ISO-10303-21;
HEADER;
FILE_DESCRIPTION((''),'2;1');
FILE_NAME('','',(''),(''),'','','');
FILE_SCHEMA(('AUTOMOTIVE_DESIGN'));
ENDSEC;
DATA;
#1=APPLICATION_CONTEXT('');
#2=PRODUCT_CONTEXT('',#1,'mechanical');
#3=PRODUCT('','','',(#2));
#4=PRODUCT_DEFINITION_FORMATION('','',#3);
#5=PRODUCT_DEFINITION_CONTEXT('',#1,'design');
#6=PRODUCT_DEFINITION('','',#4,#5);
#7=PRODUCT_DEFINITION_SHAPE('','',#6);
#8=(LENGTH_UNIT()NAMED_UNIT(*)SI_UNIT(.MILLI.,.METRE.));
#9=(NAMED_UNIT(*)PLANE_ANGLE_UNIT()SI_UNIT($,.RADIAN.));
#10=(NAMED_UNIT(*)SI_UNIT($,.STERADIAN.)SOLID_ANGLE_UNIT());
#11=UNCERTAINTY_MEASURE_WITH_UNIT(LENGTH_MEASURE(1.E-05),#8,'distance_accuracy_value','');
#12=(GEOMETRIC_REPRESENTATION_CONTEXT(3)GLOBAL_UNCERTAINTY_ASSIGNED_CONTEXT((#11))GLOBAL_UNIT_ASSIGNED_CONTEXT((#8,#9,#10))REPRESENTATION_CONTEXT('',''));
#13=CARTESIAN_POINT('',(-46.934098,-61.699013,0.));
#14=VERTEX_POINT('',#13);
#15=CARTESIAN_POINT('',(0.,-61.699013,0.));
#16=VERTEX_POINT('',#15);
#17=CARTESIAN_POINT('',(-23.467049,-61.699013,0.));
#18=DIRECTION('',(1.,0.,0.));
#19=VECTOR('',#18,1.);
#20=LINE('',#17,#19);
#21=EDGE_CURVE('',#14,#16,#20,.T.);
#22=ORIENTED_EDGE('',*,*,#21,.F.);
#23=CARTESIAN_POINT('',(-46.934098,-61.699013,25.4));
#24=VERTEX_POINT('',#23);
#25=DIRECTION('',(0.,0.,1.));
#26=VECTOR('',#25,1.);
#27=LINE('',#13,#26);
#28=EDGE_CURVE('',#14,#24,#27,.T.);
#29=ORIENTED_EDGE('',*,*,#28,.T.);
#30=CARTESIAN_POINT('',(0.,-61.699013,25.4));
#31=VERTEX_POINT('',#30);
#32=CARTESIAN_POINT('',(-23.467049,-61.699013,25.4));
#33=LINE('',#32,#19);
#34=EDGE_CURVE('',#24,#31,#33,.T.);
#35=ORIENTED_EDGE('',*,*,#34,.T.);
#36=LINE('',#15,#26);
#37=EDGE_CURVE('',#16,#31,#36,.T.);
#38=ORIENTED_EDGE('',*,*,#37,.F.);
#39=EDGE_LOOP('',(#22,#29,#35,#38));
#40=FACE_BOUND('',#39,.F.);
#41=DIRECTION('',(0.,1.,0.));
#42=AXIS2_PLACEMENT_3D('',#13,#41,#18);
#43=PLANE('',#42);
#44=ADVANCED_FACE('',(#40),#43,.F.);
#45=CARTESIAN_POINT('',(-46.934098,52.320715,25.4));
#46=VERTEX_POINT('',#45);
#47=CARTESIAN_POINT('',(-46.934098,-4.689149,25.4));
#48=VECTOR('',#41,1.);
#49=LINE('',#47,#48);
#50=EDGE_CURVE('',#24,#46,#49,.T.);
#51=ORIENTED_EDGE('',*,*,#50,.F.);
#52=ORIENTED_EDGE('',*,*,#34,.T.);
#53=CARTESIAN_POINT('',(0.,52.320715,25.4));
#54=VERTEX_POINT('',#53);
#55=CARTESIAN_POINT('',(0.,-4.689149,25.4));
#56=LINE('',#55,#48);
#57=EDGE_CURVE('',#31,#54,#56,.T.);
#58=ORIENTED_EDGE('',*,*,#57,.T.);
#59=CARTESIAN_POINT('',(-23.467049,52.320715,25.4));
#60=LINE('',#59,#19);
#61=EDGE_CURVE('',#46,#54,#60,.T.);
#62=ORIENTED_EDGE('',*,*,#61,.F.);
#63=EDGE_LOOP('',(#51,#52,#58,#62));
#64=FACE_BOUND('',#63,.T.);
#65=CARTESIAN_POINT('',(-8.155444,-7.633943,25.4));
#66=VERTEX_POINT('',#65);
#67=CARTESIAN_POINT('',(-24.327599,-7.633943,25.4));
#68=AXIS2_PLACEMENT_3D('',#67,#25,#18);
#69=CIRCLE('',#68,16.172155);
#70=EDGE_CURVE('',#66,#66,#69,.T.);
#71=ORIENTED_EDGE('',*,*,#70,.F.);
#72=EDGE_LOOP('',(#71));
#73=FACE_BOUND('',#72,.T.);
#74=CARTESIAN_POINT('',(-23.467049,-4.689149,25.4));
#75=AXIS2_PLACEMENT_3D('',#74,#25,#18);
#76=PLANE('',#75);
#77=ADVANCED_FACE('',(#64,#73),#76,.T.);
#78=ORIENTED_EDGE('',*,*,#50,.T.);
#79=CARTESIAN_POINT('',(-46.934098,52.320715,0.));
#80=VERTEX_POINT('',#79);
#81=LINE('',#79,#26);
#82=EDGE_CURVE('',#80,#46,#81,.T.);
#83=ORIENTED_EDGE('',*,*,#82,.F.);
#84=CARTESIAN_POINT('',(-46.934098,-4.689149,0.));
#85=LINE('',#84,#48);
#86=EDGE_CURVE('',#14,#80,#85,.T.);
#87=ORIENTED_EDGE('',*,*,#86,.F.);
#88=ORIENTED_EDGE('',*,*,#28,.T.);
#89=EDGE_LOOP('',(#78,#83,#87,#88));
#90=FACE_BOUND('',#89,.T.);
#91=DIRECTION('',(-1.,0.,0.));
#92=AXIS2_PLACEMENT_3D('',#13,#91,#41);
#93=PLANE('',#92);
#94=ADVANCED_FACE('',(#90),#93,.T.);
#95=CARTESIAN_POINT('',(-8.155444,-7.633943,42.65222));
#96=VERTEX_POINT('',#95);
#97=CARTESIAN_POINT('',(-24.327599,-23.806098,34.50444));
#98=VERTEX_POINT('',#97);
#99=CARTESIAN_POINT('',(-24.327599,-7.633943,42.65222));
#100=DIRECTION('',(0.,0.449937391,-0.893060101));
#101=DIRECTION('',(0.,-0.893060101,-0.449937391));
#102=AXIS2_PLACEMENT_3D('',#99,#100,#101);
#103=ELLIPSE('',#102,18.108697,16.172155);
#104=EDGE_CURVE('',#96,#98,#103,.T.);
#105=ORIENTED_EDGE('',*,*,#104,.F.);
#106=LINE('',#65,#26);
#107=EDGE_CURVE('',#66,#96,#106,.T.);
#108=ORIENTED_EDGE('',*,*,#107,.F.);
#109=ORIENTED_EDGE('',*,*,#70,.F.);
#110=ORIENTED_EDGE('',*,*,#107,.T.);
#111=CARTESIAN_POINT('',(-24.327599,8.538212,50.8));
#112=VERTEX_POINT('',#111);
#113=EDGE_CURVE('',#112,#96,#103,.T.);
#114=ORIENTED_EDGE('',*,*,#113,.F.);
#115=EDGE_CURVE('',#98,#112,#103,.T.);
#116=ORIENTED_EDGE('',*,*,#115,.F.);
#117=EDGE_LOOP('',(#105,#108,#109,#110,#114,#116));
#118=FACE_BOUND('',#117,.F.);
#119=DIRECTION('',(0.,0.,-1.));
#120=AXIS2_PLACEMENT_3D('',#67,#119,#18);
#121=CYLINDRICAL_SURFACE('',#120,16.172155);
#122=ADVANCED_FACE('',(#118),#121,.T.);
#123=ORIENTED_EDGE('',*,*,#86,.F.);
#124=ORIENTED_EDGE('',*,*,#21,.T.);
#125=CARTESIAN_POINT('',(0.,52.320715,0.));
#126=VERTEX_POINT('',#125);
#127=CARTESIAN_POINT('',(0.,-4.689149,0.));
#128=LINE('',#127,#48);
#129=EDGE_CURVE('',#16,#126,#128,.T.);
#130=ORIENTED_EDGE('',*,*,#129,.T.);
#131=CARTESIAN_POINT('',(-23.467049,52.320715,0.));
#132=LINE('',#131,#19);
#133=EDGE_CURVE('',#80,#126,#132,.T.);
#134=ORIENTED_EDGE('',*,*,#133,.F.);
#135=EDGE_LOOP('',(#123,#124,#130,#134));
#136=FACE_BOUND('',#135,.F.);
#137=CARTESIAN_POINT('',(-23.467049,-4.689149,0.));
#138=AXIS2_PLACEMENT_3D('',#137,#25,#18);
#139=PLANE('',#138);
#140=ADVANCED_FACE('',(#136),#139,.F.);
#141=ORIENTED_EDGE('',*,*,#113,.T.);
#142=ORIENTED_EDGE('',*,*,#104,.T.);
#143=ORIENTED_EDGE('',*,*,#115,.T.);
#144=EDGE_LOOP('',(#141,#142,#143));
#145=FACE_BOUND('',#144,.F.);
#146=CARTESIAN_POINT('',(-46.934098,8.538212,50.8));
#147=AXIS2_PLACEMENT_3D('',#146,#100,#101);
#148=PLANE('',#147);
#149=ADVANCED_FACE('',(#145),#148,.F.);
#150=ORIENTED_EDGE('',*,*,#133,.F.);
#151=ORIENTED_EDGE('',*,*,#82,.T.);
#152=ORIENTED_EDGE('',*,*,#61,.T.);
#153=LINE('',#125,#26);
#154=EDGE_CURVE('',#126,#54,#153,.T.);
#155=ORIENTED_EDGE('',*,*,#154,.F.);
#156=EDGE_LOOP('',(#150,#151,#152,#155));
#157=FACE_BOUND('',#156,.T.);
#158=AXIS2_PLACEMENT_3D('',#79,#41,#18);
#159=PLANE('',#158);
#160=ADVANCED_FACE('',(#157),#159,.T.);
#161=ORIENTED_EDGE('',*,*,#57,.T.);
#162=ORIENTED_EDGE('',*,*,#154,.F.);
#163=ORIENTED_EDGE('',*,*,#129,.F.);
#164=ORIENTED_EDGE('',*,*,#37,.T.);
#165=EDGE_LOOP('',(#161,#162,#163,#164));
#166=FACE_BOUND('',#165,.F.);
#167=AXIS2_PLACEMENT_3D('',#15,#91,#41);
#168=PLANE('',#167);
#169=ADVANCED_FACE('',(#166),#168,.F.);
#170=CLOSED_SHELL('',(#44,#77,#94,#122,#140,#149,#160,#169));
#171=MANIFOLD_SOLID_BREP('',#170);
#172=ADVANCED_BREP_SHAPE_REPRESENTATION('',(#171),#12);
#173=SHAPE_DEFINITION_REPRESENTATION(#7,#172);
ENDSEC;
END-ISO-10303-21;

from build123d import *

# Parameters (mm, degrees)
F0_W     = 46.934098
F0_H     = 114.019729
F1_DEPTH = 25.4
F2_R     = 16.172155
F3_DEPTH = 25.4
F5_DEPTH = 46.935098


with BuildPart() as f1:
    # F0 (on Top) → F1 (new body)
    with BuildSketch(Plane.XY):
        with Locations((-23.467049, -4.689149)):
            Rectangle(F0_W, F0_H)
    extrude(amount=F1_DEPTH)

    # F2 (on face) → F3 (join)
    with BuildSketch(Plane.XY.offset(25.4)):
        with Locations((-24.327599, -7.633943)):
            Circle(F2_R)
    extrude(amount=F3_DEPTH)

    # F4 (on face) → F5 (cut, through all)
    with BuildSketch(Plane(origin=(-46.934098, 0, 0), x_dir=(0, -1, 0), z_dir=(-1, 0, 0))):
        Polygon((23.806098, 50.8), (-8.538212, 50.8), (23.806098, 34.50444), align=None)
    extrude(amount=-F5_DEPTH, mode=Mode.SUBTRACT)


solid = f1.part
